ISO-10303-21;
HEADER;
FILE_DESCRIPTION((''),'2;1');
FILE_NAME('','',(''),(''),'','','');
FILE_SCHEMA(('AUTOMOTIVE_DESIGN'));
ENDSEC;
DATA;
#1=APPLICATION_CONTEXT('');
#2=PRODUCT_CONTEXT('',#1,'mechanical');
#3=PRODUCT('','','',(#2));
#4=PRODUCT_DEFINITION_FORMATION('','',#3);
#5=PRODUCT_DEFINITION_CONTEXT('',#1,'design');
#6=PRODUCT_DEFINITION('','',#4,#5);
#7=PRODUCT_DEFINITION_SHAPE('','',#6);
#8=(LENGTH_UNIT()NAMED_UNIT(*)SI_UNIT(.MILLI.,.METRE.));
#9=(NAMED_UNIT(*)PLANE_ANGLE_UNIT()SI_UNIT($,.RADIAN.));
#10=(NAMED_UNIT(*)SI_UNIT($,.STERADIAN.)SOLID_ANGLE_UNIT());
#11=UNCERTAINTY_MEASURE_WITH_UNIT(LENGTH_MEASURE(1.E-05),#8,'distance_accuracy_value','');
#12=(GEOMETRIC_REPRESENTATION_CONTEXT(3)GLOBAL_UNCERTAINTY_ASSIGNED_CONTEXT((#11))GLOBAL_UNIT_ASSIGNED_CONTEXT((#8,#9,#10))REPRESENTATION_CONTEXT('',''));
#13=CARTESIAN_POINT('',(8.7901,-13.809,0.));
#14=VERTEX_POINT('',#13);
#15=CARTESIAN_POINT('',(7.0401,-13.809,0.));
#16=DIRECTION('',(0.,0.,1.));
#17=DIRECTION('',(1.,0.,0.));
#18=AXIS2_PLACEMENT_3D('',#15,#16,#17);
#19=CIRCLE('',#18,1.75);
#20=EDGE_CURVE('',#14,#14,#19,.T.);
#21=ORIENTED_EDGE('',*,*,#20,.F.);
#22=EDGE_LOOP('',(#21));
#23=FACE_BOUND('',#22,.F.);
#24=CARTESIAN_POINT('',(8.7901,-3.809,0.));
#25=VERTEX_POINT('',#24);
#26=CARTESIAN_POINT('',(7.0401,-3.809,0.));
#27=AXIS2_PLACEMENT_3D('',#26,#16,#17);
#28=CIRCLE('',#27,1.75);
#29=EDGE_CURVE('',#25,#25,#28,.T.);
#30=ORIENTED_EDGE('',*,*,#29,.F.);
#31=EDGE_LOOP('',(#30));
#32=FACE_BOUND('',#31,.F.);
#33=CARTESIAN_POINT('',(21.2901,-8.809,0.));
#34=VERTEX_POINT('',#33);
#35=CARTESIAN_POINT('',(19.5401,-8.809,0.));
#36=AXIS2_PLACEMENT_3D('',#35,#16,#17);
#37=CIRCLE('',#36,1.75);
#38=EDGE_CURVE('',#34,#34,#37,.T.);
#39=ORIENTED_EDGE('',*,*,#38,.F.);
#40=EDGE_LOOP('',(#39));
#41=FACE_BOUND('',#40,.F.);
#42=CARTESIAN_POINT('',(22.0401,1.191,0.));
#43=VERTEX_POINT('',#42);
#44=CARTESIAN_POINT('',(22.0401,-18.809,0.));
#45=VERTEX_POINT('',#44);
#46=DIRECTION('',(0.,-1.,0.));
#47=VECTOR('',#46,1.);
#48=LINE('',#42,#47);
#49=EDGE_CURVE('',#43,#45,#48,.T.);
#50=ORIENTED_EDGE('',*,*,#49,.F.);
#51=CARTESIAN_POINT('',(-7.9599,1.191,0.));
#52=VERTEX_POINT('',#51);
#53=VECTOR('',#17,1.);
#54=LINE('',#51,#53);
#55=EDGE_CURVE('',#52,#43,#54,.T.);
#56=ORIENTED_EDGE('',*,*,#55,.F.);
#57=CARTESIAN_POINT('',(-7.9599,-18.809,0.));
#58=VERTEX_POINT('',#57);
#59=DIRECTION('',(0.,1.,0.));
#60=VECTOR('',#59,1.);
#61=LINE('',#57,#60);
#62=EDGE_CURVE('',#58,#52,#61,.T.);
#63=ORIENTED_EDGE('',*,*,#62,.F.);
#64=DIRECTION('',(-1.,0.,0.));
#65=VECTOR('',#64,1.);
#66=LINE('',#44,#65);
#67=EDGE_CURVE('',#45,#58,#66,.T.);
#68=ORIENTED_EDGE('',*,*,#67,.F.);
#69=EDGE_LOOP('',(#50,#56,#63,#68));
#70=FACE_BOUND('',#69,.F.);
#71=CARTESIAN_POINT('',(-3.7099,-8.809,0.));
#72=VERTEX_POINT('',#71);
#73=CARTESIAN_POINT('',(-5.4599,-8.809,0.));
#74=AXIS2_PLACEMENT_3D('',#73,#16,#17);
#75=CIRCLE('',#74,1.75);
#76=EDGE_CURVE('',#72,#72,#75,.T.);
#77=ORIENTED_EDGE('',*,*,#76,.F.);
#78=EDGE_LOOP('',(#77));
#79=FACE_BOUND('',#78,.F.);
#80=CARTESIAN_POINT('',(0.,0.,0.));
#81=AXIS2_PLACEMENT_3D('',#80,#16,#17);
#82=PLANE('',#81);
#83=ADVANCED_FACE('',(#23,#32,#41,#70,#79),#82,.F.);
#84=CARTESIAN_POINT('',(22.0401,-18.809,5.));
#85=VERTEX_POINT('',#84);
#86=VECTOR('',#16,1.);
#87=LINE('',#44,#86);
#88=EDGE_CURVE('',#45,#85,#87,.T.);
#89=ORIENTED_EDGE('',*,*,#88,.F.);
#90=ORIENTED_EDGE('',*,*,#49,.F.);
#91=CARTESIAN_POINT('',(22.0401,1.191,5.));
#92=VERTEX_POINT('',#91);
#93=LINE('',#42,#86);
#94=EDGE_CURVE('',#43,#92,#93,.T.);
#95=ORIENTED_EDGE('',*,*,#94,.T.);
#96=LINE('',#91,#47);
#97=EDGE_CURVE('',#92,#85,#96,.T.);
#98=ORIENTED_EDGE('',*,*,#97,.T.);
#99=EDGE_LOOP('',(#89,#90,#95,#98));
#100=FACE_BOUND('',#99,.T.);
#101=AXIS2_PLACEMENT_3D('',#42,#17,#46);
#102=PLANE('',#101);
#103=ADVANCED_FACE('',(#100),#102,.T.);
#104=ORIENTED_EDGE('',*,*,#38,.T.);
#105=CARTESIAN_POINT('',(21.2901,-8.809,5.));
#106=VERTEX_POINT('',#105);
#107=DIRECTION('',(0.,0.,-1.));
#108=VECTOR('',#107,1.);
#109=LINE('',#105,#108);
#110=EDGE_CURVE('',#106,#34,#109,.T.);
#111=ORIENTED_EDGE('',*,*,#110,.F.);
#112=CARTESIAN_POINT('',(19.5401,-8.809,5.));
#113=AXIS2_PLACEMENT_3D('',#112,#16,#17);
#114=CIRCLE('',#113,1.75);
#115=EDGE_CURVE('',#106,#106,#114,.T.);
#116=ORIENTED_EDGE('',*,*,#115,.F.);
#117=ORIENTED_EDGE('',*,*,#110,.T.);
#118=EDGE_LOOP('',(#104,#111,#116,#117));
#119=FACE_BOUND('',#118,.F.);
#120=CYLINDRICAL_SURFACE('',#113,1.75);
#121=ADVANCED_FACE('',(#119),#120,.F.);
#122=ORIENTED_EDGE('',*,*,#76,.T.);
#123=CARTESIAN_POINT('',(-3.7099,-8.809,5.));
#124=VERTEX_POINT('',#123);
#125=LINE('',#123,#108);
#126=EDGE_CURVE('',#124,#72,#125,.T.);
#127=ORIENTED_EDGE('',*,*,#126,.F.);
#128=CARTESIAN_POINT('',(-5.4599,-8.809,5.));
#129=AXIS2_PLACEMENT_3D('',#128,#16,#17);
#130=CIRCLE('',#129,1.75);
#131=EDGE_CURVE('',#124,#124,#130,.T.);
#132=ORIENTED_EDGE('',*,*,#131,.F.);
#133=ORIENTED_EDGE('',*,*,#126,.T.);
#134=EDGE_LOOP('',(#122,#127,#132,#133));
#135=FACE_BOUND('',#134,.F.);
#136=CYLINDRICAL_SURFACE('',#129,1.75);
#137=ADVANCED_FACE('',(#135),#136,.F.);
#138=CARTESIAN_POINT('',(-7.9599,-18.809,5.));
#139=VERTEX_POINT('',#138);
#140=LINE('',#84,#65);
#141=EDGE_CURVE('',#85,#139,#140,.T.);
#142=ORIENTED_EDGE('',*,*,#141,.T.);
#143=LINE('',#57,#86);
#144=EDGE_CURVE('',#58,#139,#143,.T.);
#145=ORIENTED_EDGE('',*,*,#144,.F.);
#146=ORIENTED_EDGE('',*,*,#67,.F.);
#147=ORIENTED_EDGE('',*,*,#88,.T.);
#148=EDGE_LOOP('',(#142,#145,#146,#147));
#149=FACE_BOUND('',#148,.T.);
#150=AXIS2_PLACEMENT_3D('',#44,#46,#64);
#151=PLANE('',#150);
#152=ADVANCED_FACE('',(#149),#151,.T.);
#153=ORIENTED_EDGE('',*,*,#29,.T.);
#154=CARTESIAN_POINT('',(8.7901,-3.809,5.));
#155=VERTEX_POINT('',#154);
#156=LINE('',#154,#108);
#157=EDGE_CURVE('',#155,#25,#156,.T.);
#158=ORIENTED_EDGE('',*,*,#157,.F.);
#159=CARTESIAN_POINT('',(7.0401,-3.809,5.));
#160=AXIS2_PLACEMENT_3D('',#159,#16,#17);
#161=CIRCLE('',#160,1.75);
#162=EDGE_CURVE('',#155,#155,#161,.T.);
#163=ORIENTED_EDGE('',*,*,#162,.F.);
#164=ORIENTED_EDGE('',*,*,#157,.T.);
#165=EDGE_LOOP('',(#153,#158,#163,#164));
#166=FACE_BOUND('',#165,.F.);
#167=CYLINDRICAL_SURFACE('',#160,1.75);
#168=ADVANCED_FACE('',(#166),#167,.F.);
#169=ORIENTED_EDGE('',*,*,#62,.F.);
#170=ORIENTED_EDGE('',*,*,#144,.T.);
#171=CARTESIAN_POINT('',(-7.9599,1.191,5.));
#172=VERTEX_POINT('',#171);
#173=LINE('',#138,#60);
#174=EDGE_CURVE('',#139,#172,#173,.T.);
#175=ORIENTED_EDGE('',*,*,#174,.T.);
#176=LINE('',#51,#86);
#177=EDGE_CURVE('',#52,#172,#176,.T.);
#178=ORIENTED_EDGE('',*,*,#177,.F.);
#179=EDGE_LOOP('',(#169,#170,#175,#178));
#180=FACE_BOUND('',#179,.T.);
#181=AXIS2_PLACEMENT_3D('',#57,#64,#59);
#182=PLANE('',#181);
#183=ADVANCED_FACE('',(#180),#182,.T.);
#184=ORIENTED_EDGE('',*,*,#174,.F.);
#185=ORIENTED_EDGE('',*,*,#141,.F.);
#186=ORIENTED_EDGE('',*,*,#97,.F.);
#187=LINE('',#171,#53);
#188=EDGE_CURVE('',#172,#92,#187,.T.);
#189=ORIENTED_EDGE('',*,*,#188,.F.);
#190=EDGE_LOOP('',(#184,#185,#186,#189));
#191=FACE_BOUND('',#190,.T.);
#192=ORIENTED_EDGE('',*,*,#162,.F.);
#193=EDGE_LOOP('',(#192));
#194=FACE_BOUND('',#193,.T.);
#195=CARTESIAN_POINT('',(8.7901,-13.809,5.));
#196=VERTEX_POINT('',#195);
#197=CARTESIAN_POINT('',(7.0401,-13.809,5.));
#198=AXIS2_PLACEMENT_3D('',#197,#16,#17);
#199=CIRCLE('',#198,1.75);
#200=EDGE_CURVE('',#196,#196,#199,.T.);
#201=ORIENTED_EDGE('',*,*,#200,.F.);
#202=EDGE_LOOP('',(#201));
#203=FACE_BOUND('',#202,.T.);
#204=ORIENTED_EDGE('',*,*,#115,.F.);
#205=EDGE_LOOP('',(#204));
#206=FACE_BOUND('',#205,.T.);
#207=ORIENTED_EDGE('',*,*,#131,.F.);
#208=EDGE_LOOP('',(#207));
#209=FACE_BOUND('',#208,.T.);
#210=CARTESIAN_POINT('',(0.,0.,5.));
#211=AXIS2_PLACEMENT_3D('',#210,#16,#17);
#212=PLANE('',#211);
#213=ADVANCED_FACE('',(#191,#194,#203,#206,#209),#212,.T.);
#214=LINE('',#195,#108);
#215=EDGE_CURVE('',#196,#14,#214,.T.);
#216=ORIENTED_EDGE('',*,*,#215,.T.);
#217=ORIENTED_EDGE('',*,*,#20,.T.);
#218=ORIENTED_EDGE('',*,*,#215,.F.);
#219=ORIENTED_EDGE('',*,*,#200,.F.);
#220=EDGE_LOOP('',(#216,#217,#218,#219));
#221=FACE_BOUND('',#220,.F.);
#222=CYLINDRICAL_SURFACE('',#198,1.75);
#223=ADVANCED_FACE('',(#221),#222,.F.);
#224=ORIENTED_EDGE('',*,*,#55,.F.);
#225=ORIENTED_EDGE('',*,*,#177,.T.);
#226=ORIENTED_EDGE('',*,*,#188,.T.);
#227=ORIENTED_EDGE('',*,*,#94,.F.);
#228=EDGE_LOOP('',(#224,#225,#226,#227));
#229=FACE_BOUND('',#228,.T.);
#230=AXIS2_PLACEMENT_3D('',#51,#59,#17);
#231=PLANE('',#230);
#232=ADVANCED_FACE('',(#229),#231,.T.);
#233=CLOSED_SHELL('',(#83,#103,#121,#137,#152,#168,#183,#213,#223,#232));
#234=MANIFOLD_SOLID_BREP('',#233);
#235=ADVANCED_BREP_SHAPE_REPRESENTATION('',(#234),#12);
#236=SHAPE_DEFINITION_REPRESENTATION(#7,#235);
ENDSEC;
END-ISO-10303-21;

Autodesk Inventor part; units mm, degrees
ref_plane "YZ Plane" through (0, 0, 0) normal (1, 0, 0) x (0, 1, 0)
ref_plane "XZ Plane" through (0, 0, 0) normal (0, 1, 0) x (-1, 0, 0)
ref_plane "XY Plane" through (0, 0, 0) normal (0, 0, 1) x (1, 0, 0)
sketch "Boceto1" plane through (0, 0, 0) normal (0, 0, 1) x (1, 0, 0)
  line L0 (-7.9599, 1.191) -> (22.0401, 1.191)
  line L1 (22.0401, 1.191) -> (22.0401, -18.809)
  line L2 (22.0401, -18.809) -> (-7.9599, -18.809)
  line L3 (-7.9599, -18.809) -> (-7.9599, 1.191)
  point P0 (0, 0)
  dimension "d0" = 20
  dimension "d10" = 30
extrude "Extrusión1" add sketch "Boceto1" along normal blind 5
sketch "Boceto2" plane through (0, 0, 5) normal (0, 0, 1) x (1, 0, 0)
  line L0 (22.0401, 1.191) -> (22.0401, -18.809) projected
  line L1 (-7.9599, -18.809) -> (-7.9599, 1.191) projected
  line L2 (22.0401, -18.809) -> (-7.9599, -18.809) projected
  circle A0 centre (-5.4599, -8.809) radius 1.75
  circle A1 centre (19.5401, -8.809) radius 1.75
  point P0 (0, 0)
  dimension "d3" = 3.5
  dimension "d4" = 2.5
  dimension "d5" = 2.5
  dimension "d6" = 10
  dimension "d7" = 10
extrude "Extrusión2" cut sketch "Boceto2" against normal blind 5
sketch "Boceto3" plane through (0, 0, 5) normal (0, 0, 1) x (1, 0, 0)
  line L0 (-7.9599, 1.191) -> (22.0401, 1.191) projected
  line L1 (22.0401, -18.809) -> (-7.9599, -18.809) projected
  circle A0 centre (7.0401, -3.809) radius 1.75
  circle A1 centre (7.0401, -13.809) radius 1.75
  point P0 (0, 0)
  dimension "d11" = 5
  dimension "d12" = 5
extrude "Extrusión3" cut sketch "Boceto3" against normal blind 5
properties part number "tapa polea x"
